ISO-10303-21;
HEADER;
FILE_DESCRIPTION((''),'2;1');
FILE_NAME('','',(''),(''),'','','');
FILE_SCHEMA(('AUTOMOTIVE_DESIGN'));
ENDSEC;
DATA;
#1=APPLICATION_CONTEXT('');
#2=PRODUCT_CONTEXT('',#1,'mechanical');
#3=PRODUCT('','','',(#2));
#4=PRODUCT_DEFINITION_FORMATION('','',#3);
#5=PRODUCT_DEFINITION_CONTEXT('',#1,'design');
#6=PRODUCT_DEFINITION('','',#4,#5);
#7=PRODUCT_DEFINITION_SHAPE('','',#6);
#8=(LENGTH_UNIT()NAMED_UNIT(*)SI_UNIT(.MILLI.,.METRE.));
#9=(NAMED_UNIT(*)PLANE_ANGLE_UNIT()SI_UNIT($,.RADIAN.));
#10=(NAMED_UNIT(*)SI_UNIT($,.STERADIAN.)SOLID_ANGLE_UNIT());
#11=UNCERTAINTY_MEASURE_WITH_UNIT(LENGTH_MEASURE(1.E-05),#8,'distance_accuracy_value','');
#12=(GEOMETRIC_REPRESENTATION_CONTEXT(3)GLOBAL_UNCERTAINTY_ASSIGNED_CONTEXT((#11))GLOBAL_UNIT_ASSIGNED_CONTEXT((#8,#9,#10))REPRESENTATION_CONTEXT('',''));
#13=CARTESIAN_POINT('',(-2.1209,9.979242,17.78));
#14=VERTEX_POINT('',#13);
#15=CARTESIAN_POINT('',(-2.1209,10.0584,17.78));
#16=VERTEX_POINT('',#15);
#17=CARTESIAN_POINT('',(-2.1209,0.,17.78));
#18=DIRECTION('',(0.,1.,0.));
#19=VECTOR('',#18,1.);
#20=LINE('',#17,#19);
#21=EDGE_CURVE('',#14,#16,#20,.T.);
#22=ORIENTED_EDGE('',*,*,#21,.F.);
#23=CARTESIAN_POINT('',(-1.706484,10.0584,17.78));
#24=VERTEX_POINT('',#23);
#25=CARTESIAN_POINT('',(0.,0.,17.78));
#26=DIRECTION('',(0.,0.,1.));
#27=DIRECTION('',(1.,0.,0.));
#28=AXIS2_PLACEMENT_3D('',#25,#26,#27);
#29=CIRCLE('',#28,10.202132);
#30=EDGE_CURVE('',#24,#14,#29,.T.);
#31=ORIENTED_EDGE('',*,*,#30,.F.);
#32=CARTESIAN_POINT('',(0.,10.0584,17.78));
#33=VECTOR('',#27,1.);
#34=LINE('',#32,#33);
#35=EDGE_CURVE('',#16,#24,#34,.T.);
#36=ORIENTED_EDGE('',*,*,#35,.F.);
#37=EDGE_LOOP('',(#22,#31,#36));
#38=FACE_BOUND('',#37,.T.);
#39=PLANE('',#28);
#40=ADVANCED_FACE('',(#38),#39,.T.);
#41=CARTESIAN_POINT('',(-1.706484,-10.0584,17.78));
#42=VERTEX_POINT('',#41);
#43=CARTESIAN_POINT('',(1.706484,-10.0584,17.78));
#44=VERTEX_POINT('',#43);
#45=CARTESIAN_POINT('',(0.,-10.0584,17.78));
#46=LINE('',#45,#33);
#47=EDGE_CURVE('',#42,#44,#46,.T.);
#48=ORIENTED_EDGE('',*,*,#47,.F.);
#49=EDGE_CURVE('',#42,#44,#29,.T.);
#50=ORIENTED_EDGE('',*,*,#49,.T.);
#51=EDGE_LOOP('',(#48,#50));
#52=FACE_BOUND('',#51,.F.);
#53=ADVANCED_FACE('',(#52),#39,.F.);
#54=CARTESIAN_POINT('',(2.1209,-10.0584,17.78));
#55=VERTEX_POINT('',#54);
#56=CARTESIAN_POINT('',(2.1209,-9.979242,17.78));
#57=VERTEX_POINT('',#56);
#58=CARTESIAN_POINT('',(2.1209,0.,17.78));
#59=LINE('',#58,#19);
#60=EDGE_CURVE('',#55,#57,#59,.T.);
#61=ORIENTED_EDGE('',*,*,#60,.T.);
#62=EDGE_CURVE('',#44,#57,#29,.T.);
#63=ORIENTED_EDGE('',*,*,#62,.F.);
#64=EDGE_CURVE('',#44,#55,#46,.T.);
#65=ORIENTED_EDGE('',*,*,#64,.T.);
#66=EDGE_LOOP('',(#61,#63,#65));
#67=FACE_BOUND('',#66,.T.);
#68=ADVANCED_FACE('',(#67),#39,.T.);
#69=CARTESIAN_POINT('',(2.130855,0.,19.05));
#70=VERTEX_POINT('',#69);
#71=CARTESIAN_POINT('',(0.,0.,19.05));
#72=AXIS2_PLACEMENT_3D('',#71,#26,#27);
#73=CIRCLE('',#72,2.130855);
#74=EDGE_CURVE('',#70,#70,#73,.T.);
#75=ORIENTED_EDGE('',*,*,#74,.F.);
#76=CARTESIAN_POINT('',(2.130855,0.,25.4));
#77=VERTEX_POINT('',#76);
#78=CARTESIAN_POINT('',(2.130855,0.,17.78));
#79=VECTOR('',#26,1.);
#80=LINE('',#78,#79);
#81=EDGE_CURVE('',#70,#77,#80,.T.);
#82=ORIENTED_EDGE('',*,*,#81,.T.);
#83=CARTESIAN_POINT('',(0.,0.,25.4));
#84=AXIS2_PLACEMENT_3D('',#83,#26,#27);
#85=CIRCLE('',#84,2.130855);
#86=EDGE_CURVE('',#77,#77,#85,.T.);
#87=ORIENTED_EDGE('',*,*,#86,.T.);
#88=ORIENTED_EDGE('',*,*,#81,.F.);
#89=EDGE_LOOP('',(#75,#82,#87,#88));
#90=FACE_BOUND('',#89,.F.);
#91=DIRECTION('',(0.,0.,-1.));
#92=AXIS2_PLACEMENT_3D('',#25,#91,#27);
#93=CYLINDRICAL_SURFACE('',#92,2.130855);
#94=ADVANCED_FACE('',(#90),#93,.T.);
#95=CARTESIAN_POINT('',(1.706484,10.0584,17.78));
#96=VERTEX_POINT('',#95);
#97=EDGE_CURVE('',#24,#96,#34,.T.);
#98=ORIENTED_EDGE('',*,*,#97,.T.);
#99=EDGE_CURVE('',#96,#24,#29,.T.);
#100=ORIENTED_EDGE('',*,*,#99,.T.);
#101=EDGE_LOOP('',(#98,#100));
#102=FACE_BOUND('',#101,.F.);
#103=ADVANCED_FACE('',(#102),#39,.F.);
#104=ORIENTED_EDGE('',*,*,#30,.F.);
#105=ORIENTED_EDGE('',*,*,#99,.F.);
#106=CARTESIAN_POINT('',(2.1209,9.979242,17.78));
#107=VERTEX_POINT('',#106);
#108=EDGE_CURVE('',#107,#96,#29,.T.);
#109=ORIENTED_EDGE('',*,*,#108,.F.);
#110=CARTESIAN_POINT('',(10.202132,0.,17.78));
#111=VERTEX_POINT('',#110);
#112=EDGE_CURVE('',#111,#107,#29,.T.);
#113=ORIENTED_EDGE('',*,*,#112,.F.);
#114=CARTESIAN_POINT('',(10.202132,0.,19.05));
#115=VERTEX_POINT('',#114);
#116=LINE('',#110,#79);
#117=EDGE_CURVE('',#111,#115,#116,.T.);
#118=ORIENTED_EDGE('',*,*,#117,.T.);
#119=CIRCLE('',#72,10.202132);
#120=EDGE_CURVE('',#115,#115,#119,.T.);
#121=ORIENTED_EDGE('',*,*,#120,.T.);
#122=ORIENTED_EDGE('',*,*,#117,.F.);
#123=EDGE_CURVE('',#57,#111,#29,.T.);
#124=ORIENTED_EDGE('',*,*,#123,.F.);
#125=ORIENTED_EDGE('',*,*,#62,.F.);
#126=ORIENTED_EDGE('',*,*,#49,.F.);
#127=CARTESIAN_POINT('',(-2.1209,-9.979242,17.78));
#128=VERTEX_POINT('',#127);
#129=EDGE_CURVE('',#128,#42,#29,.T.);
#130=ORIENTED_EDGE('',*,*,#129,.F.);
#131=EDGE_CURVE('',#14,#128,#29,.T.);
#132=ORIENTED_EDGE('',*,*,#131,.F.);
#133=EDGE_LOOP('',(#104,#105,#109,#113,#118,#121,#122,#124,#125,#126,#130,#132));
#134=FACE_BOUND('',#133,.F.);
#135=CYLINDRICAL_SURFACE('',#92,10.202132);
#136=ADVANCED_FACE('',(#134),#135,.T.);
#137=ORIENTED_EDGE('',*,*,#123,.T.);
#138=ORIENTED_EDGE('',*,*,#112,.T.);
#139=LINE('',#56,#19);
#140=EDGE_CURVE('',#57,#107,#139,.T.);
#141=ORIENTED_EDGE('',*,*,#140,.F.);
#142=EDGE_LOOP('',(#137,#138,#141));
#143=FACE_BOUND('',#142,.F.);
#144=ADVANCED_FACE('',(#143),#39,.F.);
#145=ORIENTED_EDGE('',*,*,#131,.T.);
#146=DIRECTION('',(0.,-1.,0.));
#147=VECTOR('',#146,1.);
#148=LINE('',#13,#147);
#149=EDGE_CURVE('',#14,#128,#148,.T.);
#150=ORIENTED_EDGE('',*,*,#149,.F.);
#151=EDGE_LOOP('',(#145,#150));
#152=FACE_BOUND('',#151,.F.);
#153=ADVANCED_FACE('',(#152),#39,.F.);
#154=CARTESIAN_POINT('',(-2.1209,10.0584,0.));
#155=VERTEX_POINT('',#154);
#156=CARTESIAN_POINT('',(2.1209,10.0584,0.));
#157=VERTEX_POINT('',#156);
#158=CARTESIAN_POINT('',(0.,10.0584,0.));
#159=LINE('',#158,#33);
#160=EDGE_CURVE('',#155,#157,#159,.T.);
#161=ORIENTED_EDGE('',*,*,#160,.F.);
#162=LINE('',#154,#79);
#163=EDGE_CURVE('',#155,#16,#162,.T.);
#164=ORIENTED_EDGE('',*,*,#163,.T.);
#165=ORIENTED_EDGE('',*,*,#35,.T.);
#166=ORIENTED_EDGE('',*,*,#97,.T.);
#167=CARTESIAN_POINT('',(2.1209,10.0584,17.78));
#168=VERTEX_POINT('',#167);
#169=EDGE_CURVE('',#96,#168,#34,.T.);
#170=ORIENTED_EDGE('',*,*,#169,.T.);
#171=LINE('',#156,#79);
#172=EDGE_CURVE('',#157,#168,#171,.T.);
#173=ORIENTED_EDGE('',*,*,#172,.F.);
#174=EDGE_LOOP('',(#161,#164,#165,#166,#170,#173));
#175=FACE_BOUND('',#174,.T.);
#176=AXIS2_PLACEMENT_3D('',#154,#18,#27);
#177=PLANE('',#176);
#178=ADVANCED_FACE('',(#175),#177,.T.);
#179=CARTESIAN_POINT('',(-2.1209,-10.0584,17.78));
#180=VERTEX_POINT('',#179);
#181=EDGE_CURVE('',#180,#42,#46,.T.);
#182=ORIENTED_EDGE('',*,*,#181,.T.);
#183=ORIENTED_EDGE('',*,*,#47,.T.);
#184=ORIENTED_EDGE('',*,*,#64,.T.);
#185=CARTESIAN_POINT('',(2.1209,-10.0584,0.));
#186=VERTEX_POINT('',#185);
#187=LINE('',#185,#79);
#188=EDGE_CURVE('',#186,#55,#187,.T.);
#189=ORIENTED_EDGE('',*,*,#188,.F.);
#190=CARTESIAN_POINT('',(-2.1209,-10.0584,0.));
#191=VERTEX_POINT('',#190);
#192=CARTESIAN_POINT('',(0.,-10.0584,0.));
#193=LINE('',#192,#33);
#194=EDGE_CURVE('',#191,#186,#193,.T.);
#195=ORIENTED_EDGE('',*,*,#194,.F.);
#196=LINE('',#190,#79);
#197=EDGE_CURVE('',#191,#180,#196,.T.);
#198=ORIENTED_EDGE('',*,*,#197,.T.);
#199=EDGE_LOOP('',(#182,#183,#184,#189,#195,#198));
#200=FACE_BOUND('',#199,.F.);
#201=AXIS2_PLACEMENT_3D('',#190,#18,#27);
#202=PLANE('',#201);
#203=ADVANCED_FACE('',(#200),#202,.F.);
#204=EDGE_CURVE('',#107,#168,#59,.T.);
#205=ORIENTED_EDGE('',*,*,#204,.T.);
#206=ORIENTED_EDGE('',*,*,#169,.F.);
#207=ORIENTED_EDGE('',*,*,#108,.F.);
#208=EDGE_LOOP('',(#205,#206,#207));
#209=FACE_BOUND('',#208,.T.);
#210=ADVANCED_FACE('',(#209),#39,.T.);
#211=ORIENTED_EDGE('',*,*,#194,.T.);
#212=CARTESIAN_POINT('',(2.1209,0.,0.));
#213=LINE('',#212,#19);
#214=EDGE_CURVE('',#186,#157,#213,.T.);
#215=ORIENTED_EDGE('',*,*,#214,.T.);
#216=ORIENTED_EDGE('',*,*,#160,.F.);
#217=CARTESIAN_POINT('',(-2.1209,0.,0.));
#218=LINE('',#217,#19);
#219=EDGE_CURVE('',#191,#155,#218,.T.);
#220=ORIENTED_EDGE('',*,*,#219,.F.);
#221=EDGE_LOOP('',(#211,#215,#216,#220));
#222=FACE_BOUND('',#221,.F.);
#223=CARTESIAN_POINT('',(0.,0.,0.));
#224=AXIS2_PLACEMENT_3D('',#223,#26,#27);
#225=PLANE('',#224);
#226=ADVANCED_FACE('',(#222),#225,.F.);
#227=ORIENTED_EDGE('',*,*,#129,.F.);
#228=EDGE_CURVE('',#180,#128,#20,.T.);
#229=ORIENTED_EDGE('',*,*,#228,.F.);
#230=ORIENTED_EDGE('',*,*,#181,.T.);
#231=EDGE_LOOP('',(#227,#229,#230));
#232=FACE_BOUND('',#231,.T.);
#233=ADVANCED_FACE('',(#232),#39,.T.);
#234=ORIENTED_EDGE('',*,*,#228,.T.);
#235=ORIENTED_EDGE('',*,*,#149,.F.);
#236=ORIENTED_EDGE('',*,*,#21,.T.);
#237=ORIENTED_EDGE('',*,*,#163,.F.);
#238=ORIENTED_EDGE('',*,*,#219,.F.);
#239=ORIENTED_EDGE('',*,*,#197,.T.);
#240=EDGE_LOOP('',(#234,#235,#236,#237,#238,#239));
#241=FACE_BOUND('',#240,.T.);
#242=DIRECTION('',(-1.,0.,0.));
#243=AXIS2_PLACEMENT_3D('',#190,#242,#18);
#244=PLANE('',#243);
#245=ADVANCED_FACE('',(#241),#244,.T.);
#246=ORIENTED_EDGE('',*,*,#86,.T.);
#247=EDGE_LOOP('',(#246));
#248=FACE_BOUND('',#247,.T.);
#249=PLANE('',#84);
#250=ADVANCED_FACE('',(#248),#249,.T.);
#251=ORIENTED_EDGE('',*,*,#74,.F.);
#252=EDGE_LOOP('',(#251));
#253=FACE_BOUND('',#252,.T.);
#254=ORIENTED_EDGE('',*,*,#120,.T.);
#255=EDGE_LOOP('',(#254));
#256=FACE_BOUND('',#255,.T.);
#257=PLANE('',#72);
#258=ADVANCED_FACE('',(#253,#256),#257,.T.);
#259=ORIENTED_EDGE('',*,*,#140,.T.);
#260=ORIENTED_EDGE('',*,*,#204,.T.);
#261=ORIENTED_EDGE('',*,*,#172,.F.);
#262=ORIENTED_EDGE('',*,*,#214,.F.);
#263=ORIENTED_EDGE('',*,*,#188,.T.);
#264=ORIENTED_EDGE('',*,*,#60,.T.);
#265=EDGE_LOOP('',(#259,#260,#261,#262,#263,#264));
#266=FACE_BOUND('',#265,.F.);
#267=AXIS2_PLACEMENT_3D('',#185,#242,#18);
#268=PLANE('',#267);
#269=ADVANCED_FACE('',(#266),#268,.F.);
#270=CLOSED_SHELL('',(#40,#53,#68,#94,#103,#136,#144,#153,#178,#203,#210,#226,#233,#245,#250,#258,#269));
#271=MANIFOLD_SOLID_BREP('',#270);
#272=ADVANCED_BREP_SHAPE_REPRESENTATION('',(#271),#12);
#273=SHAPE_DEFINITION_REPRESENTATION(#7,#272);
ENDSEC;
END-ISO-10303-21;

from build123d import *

# Parameters (mm, degrees)
F0_W     = 4.2418
F0_H     = 20.1168
F7_DEPTH = 17.78
F1_R     = 2.130855
F2_DEPTH = 7.62
F1_R_2   = 10.202132
F3_DEPTH = 1.27


with BuildPart() as f7:
    # F0 (on Top) → F7 (new body)
    with BuildSketch(Plane.XY):
        Rectangle(F0_W, F0_H)
    extrude(amount=F7_DEPTH)

    # F1 (on offset) → F2 (join)
    with BuildSketch(Plane.XY.offset(17.78)):
        Circle(F1_R)
    extrude(amount=F2_DEPTH)

    # F1 (on offset) → F3 (join)
    with BuildSketch(Plane.XY.offset(17.78)):
        Circle(F1_R_2)
        Circle(F1_R, mode=Mode.SUBTRACT)
    extrude(amount=F3_DEPTH)


solid = f7.part
